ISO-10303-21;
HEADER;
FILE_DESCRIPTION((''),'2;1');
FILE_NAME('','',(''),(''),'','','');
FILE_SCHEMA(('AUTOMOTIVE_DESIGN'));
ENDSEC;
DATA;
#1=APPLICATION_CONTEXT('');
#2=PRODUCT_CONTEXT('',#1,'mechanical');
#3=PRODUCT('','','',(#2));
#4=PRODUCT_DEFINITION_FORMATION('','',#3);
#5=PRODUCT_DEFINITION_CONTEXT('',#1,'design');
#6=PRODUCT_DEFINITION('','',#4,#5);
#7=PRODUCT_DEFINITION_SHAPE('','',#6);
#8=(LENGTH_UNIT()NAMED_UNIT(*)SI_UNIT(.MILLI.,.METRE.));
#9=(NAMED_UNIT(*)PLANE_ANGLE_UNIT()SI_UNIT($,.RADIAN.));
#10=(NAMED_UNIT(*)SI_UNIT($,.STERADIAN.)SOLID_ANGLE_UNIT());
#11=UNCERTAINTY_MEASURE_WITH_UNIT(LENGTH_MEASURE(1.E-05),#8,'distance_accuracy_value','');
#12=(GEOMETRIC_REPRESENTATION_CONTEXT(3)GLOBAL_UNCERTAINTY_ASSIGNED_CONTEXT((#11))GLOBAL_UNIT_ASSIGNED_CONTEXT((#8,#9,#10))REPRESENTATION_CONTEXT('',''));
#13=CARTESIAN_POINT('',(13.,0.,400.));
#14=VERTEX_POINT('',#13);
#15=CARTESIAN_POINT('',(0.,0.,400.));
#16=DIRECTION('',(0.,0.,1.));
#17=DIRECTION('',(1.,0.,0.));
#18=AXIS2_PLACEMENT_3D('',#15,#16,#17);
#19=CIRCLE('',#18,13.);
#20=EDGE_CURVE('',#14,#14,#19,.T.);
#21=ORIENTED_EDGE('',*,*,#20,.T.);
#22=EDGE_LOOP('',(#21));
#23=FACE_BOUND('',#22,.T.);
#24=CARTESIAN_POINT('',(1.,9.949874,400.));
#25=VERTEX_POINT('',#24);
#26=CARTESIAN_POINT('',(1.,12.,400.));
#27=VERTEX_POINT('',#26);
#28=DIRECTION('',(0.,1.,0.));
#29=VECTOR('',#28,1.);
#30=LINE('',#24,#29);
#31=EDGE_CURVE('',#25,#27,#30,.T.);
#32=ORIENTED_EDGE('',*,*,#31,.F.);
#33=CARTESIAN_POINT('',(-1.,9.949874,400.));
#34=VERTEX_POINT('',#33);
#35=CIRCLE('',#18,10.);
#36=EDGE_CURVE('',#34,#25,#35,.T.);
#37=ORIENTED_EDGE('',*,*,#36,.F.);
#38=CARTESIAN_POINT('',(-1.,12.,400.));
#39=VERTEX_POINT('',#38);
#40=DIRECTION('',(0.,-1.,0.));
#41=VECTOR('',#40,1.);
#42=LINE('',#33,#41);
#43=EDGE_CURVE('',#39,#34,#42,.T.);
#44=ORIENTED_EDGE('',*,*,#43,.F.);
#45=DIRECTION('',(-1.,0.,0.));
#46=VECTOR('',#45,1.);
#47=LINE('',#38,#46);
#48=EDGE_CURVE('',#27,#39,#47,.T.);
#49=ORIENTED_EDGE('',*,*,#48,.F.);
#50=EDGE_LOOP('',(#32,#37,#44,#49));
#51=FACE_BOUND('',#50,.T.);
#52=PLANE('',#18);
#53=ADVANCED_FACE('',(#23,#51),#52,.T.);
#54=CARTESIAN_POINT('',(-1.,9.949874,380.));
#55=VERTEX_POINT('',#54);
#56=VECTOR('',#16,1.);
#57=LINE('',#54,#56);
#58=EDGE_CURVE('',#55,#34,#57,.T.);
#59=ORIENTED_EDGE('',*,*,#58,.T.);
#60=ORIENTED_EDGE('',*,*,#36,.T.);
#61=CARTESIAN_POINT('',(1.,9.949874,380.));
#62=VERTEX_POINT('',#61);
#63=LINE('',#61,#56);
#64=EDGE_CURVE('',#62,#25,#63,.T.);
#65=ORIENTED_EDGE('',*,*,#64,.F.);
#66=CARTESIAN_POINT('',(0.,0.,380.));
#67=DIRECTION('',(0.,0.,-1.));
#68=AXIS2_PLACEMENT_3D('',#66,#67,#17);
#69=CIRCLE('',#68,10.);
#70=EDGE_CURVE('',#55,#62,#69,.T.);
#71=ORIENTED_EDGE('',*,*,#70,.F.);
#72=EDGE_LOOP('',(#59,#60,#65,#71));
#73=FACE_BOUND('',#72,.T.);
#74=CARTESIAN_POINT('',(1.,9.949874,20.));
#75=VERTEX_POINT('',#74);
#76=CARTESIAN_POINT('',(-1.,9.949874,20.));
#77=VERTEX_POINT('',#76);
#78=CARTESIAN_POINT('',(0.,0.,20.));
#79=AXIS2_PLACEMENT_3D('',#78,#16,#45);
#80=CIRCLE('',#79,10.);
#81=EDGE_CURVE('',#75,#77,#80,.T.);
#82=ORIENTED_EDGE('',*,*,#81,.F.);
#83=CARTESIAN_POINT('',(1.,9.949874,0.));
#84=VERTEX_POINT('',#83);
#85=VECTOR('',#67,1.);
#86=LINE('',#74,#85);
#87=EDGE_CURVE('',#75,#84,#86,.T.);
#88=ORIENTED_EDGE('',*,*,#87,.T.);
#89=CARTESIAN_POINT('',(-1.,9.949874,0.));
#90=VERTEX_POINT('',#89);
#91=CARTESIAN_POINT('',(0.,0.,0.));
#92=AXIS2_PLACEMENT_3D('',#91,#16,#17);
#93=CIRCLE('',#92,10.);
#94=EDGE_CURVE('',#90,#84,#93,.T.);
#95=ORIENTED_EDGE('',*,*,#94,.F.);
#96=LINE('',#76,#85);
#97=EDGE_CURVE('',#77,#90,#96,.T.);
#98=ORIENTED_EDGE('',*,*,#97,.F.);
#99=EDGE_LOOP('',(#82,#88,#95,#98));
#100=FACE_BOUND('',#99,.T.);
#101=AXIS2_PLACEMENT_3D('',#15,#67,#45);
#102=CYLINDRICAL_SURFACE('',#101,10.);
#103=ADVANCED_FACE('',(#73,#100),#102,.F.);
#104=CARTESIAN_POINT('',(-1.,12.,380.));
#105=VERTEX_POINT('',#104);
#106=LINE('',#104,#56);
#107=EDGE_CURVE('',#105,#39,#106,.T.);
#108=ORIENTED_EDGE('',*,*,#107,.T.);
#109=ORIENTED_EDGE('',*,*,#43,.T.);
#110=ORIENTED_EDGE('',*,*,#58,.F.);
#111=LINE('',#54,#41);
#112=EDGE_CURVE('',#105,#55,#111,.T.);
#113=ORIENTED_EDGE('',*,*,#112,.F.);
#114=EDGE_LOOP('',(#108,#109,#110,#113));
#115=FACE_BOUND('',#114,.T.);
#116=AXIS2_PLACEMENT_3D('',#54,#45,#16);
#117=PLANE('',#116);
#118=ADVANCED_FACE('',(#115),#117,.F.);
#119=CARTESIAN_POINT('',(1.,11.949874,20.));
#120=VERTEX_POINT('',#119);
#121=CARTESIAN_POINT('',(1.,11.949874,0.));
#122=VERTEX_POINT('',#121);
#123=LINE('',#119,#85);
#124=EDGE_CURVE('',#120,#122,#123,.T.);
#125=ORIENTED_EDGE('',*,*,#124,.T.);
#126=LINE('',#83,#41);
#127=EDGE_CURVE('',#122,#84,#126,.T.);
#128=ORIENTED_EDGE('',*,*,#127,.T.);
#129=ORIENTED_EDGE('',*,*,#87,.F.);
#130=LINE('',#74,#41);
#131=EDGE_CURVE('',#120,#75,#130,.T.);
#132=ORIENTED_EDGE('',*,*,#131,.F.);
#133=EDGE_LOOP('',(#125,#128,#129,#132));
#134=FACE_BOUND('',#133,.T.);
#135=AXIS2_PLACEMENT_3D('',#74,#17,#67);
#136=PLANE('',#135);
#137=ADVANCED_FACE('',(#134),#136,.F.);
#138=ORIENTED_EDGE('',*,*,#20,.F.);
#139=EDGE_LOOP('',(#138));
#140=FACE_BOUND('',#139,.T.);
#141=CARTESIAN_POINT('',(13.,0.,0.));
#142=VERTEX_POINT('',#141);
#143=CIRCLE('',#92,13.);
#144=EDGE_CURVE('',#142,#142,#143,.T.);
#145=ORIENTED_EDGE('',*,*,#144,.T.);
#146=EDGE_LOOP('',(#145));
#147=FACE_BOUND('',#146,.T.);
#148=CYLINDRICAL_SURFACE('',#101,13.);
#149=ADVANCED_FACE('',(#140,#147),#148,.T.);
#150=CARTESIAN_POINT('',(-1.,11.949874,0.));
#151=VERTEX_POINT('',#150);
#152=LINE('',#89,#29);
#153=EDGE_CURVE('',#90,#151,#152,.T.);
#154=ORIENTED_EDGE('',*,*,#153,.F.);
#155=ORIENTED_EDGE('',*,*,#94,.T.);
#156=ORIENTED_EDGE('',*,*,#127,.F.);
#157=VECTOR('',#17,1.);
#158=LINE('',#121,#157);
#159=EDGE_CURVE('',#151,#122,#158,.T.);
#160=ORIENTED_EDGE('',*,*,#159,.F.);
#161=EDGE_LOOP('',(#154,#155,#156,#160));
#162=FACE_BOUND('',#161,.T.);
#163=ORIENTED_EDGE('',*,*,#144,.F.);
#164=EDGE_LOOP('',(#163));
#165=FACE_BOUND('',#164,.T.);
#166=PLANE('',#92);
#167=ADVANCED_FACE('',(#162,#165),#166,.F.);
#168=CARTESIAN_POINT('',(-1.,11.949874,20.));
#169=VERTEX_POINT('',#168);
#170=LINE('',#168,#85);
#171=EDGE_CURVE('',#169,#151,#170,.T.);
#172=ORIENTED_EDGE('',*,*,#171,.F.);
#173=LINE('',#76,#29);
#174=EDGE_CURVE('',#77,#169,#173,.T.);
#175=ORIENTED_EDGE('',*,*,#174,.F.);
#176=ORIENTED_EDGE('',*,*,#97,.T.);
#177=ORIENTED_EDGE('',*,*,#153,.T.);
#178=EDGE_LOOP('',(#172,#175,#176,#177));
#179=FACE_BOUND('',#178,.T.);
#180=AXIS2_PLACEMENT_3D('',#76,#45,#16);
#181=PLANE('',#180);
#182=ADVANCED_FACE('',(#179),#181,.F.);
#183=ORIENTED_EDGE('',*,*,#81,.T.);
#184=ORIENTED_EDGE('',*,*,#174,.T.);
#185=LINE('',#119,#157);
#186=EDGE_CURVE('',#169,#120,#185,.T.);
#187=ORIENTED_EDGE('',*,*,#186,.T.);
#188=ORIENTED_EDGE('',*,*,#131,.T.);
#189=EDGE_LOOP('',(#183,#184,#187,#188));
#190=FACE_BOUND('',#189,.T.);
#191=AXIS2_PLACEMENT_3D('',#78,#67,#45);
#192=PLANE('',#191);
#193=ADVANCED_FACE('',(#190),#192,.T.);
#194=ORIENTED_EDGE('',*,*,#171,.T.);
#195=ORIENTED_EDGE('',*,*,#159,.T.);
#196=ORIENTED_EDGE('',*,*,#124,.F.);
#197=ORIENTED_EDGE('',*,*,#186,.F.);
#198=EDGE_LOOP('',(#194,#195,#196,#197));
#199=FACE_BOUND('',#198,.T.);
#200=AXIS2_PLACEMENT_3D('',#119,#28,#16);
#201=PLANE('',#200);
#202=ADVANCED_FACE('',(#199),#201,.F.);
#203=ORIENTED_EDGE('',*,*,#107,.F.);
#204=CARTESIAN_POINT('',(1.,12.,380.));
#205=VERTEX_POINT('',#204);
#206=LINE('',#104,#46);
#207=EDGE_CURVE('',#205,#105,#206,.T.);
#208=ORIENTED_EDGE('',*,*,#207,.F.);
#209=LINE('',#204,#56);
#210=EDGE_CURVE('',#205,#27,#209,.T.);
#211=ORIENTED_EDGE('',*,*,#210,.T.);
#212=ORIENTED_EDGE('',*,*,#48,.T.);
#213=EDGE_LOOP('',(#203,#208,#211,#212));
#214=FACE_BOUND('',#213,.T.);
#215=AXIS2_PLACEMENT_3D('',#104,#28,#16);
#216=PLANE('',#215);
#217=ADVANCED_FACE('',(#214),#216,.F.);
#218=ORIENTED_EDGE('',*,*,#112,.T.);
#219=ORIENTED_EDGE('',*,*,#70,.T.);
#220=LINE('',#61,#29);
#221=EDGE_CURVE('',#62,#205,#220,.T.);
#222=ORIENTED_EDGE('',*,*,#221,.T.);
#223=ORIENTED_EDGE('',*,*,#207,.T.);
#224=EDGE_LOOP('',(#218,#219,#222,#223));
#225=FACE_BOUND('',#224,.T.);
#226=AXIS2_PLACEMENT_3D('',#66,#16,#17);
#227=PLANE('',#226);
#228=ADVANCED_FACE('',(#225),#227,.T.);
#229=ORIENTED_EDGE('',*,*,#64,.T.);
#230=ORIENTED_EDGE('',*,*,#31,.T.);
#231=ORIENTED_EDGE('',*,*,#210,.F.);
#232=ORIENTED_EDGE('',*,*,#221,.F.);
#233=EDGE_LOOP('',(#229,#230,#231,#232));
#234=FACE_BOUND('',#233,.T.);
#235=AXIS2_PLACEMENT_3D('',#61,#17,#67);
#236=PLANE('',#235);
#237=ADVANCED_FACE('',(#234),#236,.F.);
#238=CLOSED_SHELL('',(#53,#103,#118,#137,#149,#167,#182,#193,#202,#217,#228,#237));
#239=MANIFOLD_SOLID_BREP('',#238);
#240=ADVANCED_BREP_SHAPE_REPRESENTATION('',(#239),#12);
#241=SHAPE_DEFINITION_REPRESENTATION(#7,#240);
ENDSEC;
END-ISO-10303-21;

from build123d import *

# Parameters (mm, degrees)
SKETCH1_R           = 13
SKETCH1_R_2         = 10
BOSS_EXTRUDE1_DEPTH = 400
CUT_EXTRUDE1_START  = -20
CUT_EXTRUDE1_DEPTH  = 20
CUT_EXTRUDE2_DEPTH  = 20


with BuildPart() as part:
    # Sketch1 → Boss-Extrude1 (new body)
    with BuildSketch(Plane.XY):
        Circle(SKETCH1_R)
        Circle(SKETCH1_R_2, mode=Mode.SUBTRACT)
    extrude(amount=BOSS_EXTRUDE1_DEPTH)

    # Sketch2 → Cut-Extrude1 (cut)
    with BuildSketch(Plane.XY.offset(400).offset(CUT_EXTRUDE1_START)):
        with BuildLine():
            Line((-1, 9.949874371), (-1, 12))
            Line((-1, 12), (1, 12))
            Line((1, 12), (1, 9.949874371))
            ThreePointArc((1, 9.949874371), (0, 10), (-1, 9.949874371))
        make_face()
    extrude(amount=CUT_EXTRUDE1_DEPTH, mode=Mode.SUBTRACT)

    # Sketch3 → Cut-Extrude2 (cut)
    with BuildSketch(Plane(origin=(0, 0, 0), x_dir=(-1, 0, 0), z_dir=(0, 0, -1))):
        with BuildLine():
            Line((-1, 9.949874371), (-1, 11.949874371))
            Line((-1, 11.949874371), (1, 11.949874371))
            Line((1, 11.949874371), (1, 9.949874371))
            ThreePointArc((1, 9.949874371), (0, 10), (-1, 9.949874371))
        make_face()
    extrude(amount=-CUT_EXTRUDE2_DEPTH, mode=Mode.SUBTRACT)


solid = part.part
